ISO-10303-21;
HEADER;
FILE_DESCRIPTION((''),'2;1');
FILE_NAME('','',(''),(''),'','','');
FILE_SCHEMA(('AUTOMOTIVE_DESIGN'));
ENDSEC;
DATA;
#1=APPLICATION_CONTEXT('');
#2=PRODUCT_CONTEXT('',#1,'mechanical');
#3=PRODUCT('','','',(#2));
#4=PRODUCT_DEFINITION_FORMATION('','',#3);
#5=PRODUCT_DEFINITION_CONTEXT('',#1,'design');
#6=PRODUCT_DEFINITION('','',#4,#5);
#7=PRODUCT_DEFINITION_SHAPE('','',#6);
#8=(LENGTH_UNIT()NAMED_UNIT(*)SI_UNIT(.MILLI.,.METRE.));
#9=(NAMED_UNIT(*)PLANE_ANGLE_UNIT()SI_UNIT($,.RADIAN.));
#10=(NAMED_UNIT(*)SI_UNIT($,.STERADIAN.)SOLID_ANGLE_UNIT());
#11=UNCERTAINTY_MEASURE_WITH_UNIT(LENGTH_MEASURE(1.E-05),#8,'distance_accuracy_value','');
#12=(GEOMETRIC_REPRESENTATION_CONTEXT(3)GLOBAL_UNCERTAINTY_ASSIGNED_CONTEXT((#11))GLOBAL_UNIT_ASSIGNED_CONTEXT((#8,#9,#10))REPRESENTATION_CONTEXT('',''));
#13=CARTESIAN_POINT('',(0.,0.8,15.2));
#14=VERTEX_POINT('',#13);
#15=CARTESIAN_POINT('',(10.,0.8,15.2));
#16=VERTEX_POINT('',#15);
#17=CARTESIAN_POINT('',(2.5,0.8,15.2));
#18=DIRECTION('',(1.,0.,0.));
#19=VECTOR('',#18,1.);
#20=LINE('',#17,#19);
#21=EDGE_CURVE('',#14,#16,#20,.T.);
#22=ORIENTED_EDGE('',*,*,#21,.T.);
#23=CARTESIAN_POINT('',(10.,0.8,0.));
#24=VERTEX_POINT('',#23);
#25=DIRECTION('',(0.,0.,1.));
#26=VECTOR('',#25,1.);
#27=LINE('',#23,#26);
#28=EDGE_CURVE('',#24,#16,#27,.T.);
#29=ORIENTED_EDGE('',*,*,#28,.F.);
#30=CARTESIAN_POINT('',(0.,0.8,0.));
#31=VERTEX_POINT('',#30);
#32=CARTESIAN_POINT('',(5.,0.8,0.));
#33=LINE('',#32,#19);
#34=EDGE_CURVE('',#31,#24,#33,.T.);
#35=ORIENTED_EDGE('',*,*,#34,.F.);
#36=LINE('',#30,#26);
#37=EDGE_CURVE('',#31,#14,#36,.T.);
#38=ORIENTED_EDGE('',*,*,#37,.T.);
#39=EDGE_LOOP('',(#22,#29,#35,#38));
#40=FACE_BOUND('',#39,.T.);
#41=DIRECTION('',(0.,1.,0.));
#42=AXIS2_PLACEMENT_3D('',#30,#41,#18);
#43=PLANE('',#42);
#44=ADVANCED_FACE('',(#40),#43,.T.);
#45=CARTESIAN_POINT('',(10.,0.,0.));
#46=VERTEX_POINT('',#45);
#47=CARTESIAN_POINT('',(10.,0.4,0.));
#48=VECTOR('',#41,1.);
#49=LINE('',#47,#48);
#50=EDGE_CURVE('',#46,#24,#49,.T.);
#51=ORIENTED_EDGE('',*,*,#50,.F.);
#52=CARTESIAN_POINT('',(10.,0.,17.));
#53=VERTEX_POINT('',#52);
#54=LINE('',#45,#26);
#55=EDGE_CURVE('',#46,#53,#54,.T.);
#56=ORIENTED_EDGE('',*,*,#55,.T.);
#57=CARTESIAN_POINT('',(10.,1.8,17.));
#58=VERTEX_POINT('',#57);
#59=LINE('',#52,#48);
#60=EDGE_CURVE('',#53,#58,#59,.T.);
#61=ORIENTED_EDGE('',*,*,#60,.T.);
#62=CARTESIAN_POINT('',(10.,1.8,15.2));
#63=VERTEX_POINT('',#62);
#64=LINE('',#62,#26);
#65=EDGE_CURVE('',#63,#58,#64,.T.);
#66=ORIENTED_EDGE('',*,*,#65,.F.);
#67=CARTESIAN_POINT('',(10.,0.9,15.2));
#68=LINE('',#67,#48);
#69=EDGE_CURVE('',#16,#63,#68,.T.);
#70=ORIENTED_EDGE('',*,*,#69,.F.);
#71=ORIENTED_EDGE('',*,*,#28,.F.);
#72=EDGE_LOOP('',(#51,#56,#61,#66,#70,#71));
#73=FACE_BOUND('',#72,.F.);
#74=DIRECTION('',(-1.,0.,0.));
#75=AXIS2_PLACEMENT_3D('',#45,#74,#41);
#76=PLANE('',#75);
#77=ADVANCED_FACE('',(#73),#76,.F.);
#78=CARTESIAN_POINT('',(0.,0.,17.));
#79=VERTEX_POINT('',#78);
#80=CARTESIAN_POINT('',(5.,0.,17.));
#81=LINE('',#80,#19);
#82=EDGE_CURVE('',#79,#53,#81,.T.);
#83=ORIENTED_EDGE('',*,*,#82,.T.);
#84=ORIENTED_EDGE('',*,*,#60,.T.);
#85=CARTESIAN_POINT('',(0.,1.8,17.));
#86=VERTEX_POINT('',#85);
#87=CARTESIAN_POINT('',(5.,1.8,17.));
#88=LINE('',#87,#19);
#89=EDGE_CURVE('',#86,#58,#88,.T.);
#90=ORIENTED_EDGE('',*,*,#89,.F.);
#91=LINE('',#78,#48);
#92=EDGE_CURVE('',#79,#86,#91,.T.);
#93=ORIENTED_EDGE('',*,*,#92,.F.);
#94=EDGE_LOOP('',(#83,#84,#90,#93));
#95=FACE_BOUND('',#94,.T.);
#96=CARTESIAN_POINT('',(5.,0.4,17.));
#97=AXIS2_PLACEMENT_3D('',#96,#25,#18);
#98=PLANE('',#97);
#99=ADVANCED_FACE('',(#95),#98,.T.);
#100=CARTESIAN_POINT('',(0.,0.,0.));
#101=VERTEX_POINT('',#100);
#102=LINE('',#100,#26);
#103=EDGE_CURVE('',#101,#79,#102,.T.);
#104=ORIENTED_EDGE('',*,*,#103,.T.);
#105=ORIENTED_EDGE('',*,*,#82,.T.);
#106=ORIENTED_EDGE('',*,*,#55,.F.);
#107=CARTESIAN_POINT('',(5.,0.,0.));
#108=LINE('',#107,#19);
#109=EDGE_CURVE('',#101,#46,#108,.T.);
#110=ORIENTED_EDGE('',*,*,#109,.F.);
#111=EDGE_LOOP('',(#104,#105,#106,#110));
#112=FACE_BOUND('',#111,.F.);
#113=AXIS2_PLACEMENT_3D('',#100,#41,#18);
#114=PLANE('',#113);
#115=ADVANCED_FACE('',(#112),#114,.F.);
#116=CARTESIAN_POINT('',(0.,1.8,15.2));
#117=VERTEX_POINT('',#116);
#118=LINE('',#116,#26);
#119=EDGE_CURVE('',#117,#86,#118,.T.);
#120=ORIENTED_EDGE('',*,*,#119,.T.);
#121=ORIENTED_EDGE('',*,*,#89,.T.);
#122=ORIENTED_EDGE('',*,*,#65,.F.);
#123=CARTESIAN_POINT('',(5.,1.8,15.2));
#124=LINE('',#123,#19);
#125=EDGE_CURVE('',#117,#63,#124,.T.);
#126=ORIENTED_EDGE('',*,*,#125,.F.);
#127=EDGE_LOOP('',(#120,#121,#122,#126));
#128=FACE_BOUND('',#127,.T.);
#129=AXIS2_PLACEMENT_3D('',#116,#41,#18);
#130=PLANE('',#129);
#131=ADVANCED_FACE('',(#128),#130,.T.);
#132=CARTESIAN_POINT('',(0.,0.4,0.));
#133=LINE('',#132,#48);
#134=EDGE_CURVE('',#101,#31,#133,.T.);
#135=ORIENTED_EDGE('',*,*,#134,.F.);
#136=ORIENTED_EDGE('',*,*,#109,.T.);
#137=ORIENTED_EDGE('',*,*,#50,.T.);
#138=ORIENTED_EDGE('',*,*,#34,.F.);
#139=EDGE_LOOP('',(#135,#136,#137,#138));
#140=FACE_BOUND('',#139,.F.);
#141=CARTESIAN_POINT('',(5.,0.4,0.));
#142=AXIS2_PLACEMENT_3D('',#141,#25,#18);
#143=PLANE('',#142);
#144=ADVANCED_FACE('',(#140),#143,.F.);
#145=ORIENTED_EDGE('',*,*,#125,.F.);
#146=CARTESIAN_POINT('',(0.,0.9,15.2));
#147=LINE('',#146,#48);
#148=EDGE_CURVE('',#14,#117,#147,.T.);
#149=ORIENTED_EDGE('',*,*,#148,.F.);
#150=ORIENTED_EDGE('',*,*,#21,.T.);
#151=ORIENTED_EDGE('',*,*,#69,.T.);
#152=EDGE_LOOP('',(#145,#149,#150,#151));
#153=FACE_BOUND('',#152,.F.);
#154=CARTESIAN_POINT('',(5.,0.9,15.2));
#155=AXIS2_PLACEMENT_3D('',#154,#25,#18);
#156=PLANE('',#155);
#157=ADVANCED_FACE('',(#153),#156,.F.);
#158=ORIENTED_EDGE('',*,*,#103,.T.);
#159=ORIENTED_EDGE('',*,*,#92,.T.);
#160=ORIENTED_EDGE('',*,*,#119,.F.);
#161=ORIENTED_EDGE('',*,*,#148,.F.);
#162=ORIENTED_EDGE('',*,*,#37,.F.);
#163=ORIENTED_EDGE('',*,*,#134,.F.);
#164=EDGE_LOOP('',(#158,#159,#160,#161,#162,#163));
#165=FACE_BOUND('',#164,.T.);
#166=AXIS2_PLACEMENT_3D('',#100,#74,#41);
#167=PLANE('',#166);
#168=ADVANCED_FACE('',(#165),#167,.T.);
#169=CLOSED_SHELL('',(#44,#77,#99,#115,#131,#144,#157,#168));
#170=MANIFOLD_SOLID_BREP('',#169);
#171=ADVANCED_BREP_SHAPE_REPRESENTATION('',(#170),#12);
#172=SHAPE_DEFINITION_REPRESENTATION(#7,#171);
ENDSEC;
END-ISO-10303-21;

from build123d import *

# Parameters (mm, degrees)
BOX022_W     = 10
BOX022_H     = 1.8
BOX022_DEPTH = 1.8
BOX023_W     = 10
BOX023_H     = 0.8
BOX023_DEPTH = 17


with BuildPart() as cube022:
    # Box022 → Box022 (new body)
    with BuildSketch(Plane.XY.offset(15.2)):
        with Locations((5, 0.9)):
            Rectangle(BOX022_W, BOX022_H)
    extrude(amount=BOX022_DEPTH)


with BuildPart() as fusion006002004:
    # Box023 → Box023 (new body)
    with BuildSketch(Plane.XY):
        with Locations((5, 0.4)):
            Rectangle(BOX023_W, BOX023_H)
    extrude(amount=BOX023_DEPTH)

    # Fusion006002004: union Cube022
    add(cube022.part)


solid = fusion006002004.part
